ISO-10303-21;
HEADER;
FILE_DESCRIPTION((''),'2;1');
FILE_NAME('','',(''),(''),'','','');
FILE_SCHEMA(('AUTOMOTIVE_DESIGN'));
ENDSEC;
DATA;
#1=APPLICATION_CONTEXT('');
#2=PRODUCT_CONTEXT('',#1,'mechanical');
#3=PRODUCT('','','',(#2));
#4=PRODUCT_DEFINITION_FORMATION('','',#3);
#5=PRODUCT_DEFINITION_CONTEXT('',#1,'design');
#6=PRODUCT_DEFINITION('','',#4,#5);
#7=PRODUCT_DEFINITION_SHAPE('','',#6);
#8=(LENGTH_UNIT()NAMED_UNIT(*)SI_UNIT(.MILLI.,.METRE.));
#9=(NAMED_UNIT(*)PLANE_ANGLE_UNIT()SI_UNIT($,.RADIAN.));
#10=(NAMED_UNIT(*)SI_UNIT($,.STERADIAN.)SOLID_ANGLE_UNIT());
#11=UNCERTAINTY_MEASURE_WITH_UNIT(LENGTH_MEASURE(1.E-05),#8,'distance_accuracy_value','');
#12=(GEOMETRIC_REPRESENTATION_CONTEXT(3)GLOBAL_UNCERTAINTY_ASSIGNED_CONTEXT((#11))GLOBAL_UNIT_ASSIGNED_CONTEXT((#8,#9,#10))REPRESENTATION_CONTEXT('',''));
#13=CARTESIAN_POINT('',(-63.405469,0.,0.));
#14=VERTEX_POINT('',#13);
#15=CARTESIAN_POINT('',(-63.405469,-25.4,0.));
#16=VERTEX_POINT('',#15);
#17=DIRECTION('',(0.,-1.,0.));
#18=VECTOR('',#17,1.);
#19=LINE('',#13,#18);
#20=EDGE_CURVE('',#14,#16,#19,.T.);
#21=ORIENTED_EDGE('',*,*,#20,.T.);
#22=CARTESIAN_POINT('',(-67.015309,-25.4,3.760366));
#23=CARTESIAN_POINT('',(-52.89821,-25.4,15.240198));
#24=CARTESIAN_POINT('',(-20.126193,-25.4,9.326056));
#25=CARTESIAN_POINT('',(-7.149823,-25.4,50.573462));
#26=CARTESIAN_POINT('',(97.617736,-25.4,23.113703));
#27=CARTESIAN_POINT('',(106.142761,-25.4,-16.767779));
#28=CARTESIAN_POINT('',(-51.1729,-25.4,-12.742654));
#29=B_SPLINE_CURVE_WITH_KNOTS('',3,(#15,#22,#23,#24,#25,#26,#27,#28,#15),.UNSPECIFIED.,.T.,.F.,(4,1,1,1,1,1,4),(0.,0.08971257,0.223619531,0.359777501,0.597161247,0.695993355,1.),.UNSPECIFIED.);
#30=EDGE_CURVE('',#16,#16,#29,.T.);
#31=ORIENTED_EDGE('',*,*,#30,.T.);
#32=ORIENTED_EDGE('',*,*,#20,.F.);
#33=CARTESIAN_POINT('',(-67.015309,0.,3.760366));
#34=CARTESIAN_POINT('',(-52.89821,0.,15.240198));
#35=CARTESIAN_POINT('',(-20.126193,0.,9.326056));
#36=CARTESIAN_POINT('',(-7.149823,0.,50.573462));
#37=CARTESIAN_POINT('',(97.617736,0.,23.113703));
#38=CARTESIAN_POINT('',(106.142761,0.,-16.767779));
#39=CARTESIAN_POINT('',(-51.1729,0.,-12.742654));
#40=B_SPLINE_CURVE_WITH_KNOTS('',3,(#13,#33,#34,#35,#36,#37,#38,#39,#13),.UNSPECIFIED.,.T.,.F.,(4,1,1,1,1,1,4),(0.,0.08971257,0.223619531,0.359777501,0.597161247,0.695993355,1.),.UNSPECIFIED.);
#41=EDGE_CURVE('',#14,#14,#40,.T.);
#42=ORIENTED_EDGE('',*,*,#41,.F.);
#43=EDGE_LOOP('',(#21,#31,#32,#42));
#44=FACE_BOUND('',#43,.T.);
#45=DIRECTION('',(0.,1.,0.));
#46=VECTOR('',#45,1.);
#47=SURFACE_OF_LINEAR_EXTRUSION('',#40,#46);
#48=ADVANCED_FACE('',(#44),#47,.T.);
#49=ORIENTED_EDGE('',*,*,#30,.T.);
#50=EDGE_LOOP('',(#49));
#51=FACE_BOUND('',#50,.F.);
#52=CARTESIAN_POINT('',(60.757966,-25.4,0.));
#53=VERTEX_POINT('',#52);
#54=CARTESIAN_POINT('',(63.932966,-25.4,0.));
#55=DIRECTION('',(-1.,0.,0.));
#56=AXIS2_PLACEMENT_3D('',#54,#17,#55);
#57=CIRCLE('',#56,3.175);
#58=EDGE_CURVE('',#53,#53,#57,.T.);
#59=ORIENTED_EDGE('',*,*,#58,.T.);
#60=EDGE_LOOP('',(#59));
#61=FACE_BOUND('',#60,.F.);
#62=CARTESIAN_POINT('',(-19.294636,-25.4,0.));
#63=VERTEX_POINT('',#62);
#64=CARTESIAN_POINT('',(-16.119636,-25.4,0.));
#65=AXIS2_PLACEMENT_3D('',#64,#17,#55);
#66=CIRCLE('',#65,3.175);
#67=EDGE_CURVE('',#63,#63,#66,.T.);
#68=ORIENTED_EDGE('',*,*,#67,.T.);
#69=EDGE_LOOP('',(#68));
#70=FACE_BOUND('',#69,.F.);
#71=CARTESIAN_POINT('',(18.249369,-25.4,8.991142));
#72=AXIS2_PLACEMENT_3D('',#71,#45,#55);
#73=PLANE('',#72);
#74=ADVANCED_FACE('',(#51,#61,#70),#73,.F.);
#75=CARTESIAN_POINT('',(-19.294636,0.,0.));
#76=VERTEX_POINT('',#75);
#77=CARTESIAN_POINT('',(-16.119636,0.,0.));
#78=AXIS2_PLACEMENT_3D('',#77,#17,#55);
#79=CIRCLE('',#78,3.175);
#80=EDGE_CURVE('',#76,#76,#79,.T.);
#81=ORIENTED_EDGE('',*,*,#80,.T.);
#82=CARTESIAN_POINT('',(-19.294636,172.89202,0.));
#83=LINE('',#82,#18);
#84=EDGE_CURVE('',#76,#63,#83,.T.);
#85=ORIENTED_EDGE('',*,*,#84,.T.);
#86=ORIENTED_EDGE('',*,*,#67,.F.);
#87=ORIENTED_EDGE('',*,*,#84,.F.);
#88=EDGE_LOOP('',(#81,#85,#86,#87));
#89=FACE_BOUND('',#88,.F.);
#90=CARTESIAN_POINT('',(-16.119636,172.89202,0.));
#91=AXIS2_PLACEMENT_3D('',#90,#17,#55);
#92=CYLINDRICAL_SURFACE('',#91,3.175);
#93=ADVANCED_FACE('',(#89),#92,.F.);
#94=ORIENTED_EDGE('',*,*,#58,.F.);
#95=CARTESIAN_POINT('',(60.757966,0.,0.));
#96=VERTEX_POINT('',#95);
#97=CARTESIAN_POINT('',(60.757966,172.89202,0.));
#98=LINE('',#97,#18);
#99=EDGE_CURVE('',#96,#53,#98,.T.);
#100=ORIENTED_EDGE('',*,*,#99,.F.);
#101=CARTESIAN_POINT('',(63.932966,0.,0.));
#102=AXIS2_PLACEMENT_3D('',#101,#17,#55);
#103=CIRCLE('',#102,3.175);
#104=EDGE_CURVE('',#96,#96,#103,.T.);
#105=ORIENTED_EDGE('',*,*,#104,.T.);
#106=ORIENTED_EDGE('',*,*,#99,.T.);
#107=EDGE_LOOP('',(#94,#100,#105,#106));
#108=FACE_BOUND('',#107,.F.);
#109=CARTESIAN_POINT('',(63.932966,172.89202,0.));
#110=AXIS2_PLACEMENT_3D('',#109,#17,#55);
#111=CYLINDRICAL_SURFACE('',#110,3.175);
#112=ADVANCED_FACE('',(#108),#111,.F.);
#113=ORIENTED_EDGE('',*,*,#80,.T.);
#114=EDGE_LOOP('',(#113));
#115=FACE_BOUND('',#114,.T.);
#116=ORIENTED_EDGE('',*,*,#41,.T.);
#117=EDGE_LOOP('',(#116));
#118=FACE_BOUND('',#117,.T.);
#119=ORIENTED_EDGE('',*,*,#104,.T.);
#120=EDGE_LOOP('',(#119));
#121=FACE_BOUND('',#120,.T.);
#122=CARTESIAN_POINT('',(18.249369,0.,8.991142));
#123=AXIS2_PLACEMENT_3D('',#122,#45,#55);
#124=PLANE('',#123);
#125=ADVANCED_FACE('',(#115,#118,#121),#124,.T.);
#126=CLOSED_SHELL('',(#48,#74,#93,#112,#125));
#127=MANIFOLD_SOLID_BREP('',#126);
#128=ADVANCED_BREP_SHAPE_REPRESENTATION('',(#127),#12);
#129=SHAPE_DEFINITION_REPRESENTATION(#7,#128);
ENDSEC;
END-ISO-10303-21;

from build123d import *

# Parameters (mm, degrees)
F1_DEPTH = 25.4
F3_D     = 6.35
F5_D     = 6.35


with BuildPart() as f1:
    # F0 (on Front) → F1 (new body)
    with BuildSketch(Plane.XZ):
        with BuildLine():
            add(Edge.make_bspline(
                [(-63.4054690599, 0), (-67.0153087366, 3.7603659775), (-52.8982096248, 15.2401981404), (-20.1261925337, 9.3260561649), (-7.1498234265, 50.5734617473), (97.6177356482, 23.113703356), (106.1427610534, -16.767778573), (-51.1728995999, -12.7426540054), (-63.4054690599, 0)],
                knots=[0, 0, 0, 0, 0.0897125704, 0.2236195313, 0.3597775012, 0.5971612467, 0.695993355, 1, 1, 1, 1], degree=3))
        make_face()
    extrude(amount=F1_DEPTH)

    # F3 (through all)
    with Locations(Plane(origin=(0, 0, 0), x_dir=(1, 0, 0), z_dir=(0, 1, 0))):
        with Locations((63.9329664605, 0)):
            Hole(F3_D / 2)

    # F5 (through all)
    with Locations(Plane(origin=(0, 0, 0), x_dir=(1, 0, 0), z_dir=(0, 1, 0))):
        with Locations((-16.1196355041, 0)):
            Hole(F5_D / 2)


solid = f1.part
